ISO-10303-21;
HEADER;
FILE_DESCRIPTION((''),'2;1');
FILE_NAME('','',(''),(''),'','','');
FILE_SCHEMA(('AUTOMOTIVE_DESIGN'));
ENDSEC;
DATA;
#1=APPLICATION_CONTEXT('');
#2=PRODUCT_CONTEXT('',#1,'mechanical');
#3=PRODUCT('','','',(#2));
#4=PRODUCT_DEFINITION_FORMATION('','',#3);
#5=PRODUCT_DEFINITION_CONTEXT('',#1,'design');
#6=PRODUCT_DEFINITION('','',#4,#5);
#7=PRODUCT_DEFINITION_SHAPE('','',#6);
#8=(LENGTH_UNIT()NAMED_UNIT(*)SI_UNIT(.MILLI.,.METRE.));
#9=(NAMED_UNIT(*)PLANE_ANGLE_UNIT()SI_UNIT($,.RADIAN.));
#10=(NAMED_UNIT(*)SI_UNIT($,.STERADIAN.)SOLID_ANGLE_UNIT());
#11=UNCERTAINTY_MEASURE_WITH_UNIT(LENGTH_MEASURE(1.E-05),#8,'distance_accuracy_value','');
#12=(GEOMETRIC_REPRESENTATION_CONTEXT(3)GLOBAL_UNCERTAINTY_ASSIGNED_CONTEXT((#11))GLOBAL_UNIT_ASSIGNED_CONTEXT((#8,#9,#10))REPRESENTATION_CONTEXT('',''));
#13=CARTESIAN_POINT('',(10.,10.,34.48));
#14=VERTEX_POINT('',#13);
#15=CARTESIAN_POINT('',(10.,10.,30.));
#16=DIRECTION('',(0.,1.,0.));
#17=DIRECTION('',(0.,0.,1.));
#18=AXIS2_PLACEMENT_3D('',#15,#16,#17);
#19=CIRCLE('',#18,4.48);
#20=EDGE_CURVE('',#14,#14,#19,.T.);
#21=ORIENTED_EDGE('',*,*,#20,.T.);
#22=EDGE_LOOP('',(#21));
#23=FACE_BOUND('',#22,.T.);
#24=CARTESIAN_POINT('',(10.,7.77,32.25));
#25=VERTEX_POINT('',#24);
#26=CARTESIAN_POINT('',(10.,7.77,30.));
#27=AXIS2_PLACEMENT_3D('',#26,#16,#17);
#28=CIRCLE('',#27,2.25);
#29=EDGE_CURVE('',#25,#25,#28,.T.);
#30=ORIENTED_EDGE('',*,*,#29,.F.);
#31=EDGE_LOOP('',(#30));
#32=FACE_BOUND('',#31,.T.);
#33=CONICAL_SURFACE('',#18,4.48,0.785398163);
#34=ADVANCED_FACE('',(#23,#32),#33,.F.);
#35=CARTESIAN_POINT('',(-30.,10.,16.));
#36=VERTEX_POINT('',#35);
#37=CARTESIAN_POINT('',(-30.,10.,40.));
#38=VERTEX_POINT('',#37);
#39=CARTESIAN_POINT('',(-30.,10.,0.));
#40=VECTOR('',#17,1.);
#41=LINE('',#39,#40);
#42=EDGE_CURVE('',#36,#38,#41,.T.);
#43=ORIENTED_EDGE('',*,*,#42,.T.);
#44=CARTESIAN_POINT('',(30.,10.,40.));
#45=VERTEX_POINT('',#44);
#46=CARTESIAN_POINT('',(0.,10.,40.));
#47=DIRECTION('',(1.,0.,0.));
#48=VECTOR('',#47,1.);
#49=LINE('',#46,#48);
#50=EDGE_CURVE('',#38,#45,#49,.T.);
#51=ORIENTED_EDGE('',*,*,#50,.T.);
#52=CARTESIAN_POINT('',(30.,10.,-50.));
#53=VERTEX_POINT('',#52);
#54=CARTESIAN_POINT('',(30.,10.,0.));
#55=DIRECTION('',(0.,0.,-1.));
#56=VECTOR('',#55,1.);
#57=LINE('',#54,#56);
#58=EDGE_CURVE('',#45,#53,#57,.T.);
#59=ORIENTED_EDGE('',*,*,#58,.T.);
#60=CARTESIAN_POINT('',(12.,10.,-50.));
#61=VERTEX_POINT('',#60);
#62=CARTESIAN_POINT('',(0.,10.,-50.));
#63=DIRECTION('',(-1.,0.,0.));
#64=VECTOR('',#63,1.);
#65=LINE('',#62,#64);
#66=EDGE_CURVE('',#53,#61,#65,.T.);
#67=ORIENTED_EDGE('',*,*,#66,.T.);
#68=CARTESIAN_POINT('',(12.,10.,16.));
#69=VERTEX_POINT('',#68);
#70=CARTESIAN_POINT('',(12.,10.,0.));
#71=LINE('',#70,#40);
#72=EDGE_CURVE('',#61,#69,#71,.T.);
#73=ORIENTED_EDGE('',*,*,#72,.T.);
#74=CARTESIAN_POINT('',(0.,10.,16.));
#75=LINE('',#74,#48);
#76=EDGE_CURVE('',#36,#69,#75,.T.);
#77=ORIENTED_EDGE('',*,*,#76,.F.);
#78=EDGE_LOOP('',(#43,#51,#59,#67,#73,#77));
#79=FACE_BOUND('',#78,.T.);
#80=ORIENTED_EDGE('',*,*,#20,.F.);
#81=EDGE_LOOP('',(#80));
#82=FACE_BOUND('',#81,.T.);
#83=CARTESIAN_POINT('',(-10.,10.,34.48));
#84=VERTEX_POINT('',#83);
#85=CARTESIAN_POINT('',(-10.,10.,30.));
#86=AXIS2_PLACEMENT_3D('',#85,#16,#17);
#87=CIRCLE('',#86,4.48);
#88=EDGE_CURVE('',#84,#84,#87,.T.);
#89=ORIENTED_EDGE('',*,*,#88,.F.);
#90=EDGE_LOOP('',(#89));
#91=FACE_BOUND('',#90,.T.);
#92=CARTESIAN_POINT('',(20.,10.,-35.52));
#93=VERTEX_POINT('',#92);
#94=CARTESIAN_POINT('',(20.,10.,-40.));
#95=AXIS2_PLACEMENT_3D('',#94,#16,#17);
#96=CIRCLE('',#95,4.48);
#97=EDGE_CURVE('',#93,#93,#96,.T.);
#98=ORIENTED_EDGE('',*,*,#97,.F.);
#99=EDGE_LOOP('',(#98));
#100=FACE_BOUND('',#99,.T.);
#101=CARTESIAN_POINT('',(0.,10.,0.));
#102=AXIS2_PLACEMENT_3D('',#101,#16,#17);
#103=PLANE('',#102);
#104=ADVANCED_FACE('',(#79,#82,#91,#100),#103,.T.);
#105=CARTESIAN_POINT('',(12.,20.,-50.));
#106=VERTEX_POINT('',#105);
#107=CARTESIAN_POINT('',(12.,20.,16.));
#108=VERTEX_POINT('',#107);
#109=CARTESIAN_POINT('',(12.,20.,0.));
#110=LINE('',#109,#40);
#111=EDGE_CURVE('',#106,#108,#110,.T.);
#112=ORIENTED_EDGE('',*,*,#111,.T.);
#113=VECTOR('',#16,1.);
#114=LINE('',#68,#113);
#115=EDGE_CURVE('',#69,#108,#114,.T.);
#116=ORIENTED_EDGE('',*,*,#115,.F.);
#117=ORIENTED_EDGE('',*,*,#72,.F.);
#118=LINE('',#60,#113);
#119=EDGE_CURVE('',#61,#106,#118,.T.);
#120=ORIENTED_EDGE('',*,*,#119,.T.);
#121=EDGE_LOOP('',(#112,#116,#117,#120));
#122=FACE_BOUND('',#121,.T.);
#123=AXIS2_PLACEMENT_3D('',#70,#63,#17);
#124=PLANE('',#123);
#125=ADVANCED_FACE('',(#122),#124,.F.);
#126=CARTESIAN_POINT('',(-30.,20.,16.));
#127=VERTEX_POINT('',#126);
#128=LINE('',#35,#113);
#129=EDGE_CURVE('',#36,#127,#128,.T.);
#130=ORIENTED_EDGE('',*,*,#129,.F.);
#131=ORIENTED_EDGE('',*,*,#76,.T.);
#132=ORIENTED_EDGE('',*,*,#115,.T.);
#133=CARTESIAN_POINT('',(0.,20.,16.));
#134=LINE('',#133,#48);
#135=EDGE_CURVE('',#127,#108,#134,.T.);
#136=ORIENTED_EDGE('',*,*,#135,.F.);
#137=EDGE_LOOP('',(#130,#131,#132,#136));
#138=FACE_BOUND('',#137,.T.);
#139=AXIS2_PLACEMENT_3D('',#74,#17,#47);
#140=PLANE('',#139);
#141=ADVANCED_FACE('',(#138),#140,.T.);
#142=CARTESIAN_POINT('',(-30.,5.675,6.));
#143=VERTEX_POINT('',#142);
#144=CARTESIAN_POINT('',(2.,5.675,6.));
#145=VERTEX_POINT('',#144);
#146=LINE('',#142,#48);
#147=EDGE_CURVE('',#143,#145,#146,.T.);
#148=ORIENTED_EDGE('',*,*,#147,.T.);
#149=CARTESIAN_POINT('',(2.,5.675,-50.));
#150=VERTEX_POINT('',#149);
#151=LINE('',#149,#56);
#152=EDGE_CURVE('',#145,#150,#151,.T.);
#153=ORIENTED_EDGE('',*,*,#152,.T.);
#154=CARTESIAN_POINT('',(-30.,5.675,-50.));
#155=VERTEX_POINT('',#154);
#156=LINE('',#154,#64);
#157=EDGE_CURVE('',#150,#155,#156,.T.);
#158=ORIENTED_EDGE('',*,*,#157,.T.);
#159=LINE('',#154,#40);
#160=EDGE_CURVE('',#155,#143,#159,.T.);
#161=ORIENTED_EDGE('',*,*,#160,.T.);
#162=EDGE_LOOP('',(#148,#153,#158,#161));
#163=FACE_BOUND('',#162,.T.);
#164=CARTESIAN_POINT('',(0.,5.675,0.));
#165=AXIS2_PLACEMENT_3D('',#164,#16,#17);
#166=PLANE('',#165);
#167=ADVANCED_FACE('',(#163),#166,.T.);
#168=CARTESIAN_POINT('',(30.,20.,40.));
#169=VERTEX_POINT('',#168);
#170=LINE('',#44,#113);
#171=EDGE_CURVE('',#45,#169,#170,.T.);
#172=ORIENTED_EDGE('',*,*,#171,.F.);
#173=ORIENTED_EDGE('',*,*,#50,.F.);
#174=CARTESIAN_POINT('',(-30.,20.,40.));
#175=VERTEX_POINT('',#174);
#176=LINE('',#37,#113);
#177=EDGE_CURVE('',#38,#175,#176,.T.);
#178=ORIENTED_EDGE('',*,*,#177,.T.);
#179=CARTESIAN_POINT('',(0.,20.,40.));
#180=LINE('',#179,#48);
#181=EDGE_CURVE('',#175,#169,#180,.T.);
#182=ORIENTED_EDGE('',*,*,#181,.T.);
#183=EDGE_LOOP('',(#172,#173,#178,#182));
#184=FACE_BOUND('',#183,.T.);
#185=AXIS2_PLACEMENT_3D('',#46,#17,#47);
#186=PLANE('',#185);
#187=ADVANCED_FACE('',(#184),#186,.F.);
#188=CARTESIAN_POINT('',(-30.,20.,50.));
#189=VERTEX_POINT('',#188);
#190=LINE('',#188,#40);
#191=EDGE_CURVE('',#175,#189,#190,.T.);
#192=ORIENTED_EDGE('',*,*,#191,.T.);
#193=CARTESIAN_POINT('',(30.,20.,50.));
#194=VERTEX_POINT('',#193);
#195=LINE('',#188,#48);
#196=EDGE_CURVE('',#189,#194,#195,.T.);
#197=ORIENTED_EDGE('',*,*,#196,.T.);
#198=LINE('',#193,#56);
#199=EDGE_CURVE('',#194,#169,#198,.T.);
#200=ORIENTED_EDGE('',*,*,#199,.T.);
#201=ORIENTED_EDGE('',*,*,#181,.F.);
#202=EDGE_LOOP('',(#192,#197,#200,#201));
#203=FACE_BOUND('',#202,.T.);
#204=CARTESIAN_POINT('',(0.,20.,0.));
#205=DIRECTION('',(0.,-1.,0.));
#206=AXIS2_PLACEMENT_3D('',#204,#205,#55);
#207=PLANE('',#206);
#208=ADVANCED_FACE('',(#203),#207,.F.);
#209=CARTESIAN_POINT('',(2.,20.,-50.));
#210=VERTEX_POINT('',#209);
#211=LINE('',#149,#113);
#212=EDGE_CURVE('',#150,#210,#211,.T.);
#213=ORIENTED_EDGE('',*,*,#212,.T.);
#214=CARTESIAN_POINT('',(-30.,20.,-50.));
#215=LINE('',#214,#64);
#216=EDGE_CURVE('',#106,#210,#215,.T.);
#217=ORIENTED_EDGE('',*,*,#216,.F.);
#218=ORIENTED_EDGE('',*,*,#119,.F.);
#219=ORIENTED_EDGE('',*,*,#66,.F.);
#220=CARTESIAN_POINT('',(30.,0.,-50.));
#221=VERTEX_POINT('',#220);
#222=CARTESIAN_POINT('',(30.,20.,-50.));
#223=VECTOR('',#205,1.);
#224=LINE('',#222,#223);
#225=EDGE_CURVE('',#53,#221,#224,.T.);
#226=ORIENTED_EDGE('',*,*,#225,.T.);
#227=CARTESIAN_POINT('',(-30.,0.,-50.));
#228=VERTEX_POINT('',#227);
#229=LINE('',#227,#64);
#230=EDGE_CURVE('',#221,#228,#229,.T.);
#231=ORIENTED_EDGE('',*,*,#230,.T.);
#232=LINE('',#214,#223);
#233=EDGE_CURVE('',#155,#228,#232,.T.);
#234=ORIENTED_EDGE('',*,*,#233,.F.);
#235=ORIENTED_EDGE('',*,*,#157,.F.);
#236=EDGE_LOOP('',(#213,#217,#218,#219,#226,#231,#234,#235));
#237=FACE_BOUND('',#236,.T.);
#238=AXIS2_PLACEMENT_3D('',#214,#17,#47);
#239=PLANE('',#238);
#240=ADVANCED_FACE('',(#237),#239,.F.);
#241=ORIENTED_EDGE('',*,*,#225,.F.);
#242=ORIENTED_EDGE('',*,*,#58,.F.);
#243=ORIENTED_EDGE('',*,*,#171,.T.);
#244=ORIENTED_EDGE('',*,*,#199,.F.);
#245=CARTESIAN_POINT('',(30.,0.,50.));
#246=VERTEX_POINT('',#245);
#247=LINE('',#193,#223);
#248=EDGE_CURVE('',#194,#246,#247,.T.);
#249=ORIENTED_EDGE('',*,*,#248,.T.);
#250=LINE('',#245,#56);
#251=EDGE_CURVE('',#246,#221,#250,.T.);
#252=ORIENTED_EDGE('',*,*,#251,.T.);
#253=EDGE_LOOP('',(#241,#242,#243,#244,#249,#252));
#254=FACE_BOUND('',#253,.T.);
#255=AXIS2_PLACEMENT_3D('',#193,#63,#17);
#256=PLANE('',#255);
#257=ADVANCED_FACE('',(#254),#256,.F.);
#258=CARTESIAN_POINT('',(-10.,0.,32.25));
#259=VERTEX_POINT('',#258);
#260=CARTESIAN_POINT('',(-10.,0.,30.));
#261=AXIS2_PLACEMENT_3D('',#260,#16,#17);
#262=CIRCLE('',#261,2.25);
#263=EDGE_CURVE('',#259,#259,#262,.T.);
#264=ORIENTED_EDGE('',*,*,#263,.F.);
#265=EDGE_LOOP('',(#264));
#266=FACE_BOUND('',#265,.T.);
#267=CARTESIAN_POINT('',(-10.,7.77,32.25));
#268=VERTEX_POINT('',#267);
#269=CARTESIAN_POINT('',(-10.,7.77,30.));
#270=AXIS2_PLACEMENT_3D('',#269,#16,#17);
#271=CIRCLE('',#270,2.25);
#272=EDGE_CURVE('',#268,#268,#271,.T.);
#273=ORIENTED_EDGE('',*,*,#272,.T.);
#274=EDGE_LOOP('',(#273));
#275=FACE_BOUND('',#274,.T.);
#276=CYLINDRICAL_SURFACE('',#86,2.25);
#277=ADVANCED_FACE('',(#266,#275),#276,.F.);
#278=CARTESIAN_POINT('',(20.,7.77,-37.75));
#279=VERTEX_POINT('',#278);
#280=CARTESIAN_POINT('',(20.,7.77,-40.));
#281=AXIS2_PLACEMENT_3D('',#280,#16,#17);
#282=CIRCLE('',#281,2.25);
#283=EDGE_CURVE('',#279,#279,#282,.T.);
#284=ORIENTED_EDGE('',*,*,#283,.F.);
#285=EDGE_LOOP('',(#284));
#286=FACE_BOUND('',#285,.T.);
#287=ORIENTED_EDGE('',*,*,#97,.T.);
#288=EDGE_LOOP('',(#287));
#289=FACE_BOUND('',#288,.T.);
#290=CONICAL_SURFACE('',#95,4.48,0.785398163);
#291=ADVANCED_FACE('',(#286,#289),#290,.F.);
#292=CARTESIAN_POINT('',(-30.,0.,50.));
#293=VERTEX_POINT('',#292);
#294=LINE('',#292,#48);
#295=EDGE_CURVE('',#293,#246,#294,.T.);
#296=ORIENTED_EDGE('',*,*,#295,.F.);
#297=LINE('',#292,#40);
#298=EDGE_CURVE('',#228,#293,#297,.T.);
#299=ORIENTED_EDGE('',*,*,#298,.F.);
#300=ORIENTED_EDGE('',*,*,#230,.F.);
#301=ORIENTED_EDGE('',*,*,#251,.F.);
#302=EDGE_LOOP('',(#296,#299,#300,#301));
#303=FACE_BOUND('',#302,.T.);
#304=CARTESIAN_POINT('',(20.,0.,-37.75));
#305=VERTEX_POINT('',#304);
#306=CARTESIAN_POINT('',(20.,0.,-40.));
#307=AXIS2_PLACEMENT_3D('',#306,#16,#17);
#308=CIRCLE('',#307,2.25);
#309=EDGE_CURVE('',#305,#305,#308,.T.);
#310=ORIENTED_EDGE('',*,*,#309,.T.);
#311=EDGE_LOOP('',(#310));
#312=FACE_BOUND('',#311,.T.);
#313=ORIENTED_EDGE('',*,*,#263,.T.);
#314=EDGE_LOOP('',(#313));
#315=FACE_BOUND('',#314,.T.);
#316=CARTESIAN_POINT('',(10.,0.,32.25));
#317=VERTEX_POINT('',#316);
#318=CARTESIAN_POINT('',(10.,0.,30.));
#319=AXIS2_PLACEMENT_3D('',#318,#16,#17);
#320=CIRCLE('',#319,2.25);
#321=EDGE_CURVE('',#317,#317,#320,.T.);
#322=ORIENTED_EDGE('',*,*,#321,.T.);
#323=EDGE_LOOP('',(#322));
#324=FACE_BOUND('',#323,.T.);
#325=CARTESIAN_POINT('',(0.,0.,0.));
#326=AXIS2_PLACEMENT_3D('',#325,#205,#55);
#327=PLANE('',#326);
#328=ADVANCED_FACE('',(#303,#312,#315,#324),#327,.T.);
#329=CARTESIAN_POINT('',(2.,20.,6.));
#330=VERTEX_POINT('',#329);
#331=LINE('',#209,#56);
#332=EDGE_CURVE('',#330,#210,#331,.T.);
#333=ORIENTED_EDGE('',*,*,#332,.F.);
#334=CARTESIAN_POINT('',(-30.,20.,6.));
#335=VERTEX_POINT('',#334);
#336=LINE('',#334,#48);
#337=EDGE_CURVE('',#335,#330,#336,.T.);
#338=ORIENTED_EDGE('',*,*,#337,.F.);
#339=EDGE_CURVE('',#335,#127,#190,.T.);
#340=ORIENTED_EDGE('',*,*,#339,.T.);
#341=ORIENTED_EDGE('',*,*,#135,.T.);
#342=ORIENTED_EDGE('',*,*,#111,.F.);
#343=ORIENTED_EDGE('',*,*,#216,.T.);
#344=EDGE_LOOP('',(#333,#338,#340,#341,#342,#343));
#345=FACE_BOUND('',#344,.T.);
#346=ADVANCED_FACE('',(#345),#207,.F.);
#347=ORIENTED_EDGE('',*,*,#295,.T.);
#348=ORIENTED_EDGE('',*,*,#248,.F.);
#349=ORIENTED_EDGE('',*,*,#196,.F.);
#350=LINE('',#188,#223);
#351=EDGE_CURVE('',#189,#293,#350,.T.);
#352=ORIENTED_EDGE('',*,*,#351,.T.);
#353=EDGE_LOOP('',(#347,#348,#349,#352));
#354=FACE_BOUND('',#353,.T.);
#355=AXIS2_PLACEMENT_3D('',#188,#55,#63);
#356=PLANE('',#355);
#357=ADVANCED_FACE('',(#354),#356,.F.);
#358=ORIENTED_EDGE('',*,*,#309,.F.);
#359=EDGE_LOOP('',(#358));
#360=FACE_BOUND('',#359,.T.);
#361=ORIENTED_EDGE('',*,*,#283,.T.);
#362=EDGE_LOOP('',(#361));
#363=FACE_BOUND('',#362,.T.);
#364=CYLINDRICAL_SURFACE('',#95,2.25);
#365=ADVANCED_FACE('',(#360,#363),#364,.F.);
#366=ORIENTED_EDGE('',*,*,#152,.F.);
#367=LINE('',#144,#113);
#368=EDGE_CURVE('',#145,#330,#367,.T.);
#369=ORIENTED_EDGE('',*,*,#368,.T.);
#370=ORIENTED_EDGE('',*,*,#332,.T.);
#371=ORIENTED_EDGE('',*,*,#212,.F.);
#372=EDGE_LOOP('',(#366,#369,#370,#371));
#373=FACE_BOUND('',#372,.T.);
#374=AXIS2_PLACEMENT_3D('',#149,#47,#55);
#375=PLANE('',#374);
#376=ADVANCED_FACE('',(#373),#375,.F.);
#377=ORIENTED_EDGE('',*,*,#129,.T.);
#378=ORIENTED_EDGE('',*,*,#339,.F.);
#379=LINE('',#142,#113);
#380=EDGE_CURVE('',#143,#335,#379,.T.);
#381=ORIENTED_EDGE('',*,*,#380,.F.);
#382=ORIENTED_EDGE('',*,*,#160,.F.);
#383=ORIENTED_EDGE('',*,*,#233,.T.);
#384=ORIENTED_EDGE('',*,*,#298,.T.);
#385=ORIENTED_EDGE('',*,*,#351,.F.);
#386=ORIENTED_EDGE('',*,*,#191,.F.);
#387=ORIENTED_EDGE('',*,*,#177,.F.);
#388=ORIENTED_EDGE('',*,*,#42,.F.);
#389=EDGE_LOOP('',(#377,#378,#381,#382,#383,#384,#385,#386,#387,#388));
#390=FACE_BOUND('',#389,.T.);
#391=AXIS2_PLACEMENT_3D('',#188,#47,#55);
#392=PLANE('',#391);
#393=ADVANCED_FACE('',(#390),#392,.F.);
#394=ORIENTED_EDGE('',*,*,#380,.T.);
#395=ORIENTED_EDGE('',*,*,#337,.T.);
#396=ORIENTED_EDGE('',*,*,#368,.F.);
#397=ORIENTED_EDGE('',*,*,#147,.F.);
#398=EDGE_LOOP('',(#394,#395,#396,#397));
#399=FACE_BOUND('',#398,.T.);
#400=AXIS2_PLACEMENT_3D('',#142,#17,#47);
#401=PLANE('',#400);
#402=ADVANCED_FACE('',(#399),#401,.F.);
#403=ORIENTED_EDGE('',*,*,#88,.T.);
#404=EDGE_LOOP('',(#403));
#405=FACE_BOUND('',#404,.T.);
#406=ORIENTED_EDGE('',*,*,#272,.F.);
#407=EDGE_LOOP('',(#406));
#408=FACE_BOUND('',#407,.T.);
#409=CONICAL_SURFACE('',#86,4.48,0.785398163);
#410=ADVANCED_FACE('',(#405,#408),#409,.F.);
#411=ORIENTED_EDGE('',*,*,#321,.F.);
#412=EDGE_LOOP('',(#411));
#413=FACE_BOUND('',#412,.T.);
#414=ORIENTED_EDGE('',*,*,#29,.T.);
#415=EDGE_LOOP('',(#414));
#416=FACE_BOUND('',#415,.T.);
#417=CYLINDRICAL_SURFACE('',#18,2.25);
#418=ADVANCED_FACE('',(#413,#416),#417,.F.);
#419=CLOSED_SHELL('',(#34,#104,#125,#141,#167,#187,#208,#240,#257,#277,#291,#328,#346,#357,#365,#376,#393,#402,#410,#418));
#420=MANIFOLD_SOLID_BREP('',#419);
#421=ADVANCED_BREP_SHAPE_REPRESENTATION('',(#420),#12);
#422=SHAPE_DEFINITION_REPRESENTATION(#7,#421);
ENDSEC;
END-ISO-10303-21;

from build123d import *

# Parameters (mm, degrees)
SKETCH1_W                     = 60
SKETCH1_H                     = 100
BOSS_EXTRUDE1_DEPTH           = 20
SKETCH2_W                     = 32
SKETCH2_H                     = 56
CUT_EXTRUDE1_DEPTH            = 14.325
CUT_EXTRUDE2_DEPTH            = 10
CSK_FOR_M4_SFHCS1_D           = 4.5
CSK_FOR_M4_SFHCS1_CSINK_D     = 8.96
CSK_FOR_M4_SFHCS1_CSINK_ANGLE = 90


with BuildPart() as part:
    # Sketch1 → Boss-Extrude1 (new body)
    with BuildSketch(Plane(origin=(0, 0, 0), x_dir=(1, 0, 0), z_dir=(0, 1, 0))):
        Rectangle(SKETCH1_W, SKETCH1_H)
    extrude(amount=BOSS_EXTRUDE1_DEPTH)

    # Sketch2 → Cut-Extrude1 (cut)
    with BuildSketch(Plane(origin=(0, 20, 0), x_dir=(1, 0, 0), z_dir=(0, 1, 0))):
        with Locations((-14, 22)):
            Rectangle(SKETCH2_W, SKETCH2_H)
    extrude(amount=-CUT_EXTRUDE1_DEPTH, mode=Mode.SUBTRACT)

    # Sketch3 → Cut-Extrude2 (cut)
    with BuildSketch(Plane(origin=(0, 20, 0), x_dir=(1, 0, 0), z_dir=(0, 1, 0))):
        Polygon((30, 50), (12, 50), (12, -16), (-30, -16), (-30, -40), (30, -40), align=None)
    extrude(amount=-CUT_EXTRUDE2_DEPTH, mode=Mode.SUBTRACT)

    # CSK for M4 SFHCS1 (through all)
    with Locations(Plane(origin=(0, 10, 0), x_dir=(1, 0, 0), z_dir=(0, 1, 0))):
        with Locations((20, 40), (10, -30), (-10, -30)):
            CounterSinkHole(CSK_FOR_M4_SFHCS1_D / 2, CSK_FOR_M4_SFHCS1_CSINK_D / 2, counter_sink_angle=CSK_FOR_M4_SFHCS1_CSINK_ANGLE)


solid = part.part
